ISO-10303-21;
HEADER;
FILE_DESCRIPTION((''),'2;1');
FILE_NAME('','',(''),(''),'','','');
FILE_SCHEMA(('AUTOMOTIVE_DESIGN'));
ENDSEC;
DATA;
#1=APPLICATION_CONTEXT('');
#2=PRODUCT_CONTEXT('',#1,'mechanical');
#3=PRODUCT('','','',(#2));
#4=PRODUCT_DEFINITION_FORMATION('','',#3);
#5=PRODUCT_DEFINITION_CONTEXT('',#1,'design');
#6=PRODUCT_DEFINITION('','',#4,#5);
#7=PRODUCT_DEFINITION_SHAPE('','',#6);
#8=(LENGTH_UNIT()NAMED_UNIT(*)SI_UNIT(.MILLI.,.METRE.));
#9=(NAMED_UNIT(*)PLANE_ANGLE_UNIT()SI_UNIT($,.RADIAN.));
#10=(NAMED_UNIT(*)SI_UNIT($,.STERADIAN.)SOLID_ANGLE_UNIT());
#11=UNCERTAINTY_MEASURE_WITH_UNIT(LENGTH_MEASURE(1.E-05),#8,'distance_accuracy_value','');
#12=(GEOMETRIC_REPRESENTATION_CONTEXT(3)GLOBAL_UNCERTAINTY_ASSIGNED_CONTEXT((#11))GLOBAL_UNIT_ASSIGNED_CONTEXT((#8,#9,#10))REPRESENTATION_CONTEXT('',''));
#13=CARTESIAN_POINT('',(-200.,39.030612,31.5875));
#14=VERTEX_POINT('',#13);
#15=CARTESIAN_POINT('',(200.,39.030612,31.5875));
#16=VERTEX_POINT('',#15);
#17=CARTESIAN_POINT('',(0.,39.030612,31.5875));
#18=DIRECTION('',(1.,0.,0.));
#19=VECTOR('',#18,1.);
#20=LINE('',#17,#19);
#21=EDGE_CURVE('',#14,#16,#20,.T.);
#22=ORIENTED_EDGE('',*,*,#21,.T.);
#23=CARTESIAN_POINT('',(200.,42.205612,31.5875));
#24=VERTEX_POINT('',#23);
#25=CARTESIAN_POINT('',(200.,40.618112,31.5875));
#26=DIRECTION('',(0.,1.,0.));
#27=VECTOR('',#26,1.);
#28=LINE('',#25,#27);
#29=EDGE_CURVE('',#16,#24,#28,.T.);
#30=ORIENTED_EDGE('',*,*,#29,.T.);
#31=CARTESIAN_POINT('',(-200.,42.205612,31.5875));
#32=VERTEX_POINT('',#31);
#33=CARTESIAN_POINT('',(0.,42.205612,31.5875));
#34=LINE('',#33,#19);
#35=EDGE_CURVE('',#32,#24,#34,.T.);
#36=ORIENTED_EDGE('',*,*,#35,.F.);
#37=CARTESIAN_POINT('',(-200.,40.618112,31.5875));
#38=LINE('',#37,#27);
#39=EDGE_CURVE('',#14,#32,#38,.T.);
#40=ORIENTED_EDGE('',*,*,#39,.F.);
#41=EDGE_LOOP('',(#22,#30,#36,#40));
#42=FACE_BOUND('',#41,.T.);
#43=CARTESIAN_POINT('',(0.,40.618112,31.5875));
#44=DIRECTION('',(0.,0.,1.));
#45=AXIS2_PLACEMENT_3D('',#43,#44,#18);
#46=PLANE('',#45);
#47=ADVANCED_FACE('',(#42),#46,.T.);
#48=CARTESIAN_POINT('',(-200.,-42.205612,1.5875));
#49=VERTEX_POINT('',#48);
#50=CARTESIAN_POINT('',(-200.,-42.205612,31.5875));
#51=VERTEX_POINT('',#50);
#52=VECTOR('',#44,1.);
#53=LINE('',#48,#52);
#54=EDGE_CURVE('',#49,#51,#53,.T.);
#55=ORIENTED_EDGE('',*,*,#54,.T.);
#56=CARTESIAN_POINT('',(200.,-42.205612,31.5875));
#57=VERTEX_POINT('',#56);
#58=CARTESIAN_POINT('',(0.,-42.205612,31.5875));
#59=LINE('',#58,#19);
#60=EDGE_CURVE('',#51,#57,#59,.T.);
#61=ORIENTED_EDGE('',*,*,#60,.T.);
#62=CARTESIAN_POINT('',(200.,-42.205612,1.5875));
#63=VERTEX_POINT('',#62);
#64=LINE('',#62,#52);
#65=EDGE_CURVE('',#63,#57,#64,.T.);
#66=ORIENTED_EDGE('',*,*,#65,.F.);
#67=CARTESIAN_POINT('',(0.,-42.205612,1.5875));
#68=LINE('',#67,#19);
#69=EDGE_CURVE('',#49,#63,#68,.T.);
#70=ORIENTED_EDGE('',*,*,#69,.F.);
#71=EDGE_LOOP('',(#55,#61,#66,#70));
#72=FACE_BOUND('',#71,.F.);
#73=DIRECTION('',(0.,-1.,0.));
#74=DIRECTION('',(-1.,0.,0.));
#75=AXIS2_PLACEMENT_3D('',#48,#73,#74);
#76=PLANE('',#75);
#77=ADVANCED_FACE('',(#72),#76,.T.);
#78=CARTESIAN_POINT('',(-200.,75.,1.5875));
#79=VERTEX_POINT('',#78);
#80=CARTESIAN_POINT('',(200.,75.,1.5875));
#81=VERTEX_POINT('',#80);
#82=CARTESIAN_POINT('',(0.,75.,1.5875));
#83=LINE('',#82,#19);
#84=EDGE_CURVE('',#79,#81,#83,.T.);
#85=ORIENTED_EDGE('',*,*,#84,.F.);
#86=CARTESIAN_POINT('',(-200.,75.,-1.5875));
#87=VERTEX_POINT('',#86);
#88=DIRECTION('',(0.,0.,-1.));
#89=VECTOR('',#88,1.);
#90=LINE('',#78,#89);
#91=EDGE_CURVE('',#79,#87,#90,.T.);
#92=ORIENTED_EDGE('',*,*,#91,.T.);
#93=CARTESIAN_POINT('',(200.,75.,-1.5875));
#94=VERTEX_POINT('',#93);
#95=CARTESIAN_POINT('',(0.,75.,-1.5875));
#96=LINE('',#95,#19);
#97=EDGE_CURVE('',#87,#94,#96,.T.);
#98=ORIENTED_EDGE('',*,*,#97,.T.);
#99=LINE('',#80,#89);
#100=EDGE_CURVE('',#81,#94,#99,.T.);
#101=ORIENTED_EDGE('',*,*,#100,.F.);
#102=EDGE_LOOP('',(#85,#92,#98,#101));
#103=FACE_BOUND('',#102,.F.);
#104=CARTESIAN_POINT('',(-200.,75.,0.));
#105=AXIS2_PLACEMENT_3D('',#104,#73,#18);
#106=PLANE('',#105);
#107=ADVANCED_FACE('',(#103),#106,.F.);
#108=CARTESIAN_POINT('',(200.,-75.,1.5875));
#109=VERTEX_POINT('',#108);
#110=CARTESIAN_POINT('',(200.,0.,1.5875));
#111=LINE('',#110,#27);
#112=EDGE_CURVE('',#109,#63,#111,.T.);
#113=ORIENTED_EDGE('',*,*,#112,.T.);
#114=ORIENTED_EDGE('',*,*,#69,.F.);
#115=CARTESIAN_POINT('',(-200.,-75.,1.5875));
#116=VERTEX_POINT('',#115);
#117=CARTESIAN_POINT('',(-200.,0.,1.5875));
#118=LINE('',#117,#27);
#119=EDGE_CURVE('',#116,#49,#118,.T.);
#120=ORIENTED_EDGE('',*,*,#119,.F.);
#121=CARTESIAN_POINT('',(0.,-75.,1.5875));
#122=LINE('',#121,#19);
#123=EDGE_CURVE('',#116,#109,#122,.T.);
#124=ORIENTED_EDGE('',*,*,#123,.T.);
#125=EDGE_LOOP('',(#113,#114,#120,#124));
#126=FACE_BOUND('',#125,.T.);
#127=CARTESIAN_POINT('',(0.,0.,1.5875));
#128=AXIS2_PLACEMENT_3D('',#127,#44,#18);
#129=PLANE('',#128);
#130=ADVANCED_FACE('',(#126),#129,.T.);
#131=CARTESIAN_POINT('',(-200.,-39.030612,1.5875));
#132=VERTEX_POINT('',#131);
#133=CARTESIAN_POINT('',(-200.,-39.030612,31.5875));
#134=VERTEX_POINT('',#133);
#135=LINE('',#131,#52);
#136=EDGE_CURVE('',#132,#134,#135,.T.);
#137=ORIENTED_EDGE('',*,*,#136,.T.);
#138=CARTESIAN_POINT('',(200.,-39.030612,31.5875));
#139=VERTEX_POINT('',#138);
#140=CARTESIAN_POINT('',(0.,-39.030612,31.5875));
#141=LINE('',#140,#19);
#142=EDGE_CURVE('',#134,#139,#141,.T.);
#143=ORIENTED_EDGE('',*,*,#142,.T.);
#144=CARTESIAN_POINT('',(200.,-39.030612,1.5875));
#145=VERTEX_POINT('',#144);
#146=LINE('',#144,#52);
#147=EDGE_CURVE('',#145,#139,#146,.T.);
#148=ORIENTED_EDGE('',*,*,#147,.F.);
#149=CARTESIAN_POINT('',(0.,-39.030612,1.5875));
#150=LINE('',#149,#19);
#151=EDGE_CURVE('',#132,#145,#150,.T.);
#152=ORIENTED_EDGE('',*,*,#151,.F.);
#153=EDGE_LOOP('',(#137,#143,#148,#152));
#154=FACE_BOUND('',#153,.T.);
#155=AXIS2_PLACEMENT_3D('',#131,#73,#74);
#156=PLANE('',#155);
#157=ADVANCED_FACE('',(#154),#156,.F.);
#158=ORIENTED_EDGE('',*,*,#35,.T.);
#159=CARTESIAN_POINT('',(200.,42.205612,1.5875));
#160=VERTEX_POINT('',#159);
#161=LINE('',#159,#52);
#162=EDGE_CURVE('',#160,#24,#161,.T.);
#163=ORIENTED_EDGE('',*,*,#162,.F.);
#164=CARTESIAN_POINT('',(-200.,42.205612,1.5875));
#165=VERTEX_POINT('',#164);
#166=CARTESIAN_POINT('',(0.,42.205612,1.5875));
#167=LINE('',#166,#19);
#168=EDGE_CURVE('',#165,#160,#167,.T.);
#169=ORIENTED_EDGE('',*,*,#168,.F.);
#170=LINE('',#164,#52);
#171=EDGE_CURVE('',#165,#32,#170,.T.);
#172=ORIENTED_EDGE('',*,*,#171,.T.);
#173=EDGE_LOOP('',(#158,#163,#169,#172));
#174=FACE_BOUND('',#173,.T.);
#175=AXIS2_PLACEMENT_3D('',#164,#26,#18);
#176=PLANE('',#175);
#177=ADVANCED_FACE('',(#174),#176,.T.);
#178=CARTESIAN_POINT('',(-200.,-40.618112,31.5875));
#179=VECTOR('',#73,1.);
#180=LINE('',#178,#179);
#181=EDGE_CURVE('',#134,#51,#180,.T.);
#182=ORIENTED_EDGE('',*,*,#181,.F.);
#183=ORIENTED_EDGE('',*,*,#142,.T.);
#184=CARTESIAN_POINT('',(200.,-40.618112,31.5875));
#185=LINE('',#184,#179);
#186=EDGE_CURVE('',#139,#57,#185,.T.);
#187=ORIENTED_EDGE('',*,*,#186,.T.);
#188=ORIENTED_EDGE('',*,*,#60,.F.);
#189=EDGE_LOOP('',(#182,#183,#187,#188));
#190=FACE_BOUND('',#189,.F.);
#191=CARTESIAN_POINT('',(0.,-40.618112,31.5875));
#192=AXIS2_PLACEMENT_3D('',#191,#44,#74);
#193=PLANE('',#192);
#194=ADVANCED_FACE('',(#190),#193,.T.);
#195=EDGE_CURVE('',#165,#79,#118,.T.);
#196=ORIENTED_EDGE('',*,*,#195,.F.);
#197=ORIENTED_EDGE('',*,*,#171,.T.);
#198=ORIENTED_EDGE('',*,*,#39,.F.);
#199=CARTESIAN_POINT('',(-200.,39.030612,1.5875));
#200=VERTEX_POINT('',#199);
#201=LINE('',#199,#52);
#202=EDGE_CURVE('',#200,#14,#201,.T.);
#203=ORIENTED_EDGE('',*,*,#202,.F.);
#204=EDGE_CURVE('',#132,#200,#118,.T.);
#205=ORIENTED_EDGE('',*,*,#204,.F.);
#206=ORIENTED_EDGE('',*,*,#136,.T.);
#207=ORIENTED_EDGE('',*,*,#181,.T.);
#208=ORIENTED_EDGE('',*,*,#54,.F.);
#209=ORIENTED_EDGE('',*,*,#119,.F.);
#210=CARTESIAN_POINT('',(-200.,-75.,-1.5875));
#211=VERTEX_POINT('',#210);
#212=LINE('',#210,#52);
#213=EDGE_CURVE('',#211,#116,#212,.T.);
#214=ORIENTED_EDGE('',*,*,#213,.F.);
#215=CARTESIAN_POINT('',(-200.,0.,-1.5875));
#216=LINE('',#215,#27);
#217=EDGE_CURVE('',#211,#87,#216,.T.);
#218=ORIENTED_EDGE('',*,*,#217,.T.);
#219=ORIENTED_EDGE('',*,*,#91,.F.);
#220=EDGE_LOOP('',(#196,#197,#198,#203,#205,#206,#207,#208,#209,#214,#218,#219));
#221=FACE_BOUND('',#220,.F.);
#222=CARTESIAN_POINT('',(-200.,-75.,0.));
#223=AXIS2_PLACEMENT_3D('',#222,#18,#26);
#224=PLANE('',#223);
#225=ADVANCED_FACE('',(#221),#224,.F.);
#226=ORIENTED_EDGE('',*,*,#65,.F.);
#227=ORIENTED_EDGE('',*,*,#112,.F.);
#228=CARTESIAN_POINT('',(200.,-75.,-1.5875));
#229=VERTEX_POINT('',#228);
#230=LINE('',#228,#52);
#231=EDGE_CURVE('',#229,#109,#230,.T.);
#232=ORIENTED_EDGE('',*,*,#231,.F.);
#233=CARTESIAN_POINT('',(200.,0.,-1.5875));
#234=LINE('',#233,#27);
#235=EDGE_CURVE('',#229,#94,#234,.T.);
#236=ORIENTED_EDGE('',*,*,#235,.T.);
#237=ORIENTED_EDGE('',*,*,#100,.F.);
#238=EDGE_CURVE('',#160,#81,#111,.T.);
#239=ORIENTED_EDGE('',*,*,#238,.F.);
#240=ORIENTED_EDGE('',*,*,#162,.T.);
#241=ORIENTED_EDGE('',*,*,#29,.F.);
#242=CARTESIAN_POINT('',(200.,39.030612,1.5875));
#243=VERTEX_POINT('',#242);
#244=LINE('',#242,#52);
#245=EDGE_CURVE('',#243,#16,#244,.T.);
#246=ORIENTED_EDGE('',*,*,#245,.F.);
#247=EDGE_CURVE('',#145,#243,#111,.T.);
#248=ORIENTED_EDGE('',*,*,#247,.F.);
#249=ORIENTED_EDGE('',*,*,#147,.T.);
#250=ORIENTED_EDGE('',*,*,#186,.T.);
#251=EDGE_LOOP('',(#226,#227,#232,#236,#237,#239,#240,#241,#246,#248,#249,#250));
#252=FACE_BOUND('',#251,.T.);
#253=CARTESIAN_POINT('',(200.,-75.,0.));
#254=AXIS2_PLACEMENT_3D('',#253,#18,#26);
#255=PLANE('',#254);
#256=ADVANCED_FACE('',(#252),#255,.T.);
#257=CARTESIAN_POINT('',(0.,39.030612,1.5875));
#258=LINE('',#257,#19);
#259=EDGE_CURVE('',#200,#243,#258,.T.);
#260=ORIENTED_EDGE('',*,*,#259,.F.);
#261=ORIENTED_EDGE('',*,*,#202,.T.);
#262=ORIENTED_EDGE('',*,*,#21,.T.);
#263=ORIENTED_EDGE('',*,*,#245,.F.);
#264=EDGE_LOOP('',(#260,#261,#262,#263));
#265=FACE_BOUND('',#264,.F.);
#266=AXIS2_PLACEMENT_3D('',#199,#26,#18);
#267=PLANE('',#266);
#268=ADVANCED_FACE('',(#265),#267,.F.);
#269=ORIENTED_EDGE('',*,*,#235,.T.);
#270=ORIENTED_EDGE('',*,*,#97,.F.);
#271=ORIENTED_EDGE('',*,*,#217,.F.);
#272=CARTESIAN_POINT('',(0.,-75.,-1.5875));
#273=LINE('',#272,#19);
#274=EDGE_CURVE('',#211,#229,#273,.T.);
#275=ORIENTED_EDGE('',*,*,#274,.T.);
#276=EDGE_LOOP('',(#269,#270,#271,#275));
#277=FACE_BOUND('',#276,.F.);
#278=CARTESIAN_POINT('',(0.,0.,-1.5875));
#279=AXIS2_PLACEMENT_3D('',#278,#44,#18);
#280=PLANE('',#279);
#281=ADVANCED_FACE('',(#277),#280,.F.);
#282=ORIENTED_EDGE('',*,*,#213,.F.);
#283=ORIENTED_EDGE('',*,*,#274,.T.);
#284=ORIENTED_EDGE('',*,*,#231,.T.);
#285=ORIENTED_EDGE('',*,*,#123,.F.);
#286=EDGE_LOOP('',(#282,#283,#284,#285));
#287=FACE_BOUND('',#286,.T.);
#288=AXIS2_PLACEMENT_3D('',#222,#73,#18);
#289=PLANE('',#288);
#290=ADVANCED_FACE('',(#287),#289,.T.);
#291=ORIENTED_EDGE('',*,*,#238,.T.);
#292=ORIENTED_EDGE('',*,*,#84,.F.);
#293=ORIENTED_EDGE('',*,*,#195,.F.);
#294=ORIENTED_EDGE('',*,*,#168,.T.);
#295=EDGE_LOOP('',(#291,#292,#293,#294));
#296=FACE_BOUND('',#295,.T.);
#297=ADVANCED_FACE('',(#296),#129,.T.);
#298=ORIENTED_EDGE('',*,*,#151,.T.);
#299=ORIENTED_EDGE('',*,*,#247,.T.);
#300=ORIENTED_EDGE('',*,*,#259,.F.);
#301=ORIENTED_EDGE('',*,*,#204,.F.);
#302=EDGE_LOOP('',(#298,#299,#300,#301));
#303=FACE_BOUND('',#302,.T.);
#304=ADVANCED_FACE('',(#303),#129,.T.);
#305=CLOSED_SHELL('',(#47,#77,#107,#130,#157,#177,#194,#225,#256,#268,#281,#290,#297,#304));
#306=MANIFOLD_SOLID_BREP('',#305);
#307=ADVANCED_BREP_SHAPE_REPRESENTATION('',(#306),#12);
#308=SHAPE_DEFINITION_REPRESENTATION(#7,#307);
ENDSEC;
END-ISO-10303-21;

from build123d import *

# Parameters (mm, degrees)
F0_W     = 400
F0_H     = 150
F1_DEPTH = 1.5875
F2_W     = 400
F2_H     = 3.175
F3_DEPTH = 30


with BuildPart() as f1:
    # F0 (on Top) → F1 (new body, symmetric)
    with BuildSketch(Plane.XY):
        Rectangle(F0_W, F0_H)
    extrude(amount=F1_DEPTH, both=True)

    # F2 (on face) → F3 (join)
    with BuildSketch(Plane.XY.offset(1.5875)):
        with Locations((0, 40.618111515)):
            Rectangle(F2_W, F2_H)
    extrude(amount=F3_DEPTH)

    # F4: F1 across plane


with BuildPart() as f1_1:
    add(f1.part)
    add(f1.part.mirror(Plane.XZ))


solid = f1_1.part
